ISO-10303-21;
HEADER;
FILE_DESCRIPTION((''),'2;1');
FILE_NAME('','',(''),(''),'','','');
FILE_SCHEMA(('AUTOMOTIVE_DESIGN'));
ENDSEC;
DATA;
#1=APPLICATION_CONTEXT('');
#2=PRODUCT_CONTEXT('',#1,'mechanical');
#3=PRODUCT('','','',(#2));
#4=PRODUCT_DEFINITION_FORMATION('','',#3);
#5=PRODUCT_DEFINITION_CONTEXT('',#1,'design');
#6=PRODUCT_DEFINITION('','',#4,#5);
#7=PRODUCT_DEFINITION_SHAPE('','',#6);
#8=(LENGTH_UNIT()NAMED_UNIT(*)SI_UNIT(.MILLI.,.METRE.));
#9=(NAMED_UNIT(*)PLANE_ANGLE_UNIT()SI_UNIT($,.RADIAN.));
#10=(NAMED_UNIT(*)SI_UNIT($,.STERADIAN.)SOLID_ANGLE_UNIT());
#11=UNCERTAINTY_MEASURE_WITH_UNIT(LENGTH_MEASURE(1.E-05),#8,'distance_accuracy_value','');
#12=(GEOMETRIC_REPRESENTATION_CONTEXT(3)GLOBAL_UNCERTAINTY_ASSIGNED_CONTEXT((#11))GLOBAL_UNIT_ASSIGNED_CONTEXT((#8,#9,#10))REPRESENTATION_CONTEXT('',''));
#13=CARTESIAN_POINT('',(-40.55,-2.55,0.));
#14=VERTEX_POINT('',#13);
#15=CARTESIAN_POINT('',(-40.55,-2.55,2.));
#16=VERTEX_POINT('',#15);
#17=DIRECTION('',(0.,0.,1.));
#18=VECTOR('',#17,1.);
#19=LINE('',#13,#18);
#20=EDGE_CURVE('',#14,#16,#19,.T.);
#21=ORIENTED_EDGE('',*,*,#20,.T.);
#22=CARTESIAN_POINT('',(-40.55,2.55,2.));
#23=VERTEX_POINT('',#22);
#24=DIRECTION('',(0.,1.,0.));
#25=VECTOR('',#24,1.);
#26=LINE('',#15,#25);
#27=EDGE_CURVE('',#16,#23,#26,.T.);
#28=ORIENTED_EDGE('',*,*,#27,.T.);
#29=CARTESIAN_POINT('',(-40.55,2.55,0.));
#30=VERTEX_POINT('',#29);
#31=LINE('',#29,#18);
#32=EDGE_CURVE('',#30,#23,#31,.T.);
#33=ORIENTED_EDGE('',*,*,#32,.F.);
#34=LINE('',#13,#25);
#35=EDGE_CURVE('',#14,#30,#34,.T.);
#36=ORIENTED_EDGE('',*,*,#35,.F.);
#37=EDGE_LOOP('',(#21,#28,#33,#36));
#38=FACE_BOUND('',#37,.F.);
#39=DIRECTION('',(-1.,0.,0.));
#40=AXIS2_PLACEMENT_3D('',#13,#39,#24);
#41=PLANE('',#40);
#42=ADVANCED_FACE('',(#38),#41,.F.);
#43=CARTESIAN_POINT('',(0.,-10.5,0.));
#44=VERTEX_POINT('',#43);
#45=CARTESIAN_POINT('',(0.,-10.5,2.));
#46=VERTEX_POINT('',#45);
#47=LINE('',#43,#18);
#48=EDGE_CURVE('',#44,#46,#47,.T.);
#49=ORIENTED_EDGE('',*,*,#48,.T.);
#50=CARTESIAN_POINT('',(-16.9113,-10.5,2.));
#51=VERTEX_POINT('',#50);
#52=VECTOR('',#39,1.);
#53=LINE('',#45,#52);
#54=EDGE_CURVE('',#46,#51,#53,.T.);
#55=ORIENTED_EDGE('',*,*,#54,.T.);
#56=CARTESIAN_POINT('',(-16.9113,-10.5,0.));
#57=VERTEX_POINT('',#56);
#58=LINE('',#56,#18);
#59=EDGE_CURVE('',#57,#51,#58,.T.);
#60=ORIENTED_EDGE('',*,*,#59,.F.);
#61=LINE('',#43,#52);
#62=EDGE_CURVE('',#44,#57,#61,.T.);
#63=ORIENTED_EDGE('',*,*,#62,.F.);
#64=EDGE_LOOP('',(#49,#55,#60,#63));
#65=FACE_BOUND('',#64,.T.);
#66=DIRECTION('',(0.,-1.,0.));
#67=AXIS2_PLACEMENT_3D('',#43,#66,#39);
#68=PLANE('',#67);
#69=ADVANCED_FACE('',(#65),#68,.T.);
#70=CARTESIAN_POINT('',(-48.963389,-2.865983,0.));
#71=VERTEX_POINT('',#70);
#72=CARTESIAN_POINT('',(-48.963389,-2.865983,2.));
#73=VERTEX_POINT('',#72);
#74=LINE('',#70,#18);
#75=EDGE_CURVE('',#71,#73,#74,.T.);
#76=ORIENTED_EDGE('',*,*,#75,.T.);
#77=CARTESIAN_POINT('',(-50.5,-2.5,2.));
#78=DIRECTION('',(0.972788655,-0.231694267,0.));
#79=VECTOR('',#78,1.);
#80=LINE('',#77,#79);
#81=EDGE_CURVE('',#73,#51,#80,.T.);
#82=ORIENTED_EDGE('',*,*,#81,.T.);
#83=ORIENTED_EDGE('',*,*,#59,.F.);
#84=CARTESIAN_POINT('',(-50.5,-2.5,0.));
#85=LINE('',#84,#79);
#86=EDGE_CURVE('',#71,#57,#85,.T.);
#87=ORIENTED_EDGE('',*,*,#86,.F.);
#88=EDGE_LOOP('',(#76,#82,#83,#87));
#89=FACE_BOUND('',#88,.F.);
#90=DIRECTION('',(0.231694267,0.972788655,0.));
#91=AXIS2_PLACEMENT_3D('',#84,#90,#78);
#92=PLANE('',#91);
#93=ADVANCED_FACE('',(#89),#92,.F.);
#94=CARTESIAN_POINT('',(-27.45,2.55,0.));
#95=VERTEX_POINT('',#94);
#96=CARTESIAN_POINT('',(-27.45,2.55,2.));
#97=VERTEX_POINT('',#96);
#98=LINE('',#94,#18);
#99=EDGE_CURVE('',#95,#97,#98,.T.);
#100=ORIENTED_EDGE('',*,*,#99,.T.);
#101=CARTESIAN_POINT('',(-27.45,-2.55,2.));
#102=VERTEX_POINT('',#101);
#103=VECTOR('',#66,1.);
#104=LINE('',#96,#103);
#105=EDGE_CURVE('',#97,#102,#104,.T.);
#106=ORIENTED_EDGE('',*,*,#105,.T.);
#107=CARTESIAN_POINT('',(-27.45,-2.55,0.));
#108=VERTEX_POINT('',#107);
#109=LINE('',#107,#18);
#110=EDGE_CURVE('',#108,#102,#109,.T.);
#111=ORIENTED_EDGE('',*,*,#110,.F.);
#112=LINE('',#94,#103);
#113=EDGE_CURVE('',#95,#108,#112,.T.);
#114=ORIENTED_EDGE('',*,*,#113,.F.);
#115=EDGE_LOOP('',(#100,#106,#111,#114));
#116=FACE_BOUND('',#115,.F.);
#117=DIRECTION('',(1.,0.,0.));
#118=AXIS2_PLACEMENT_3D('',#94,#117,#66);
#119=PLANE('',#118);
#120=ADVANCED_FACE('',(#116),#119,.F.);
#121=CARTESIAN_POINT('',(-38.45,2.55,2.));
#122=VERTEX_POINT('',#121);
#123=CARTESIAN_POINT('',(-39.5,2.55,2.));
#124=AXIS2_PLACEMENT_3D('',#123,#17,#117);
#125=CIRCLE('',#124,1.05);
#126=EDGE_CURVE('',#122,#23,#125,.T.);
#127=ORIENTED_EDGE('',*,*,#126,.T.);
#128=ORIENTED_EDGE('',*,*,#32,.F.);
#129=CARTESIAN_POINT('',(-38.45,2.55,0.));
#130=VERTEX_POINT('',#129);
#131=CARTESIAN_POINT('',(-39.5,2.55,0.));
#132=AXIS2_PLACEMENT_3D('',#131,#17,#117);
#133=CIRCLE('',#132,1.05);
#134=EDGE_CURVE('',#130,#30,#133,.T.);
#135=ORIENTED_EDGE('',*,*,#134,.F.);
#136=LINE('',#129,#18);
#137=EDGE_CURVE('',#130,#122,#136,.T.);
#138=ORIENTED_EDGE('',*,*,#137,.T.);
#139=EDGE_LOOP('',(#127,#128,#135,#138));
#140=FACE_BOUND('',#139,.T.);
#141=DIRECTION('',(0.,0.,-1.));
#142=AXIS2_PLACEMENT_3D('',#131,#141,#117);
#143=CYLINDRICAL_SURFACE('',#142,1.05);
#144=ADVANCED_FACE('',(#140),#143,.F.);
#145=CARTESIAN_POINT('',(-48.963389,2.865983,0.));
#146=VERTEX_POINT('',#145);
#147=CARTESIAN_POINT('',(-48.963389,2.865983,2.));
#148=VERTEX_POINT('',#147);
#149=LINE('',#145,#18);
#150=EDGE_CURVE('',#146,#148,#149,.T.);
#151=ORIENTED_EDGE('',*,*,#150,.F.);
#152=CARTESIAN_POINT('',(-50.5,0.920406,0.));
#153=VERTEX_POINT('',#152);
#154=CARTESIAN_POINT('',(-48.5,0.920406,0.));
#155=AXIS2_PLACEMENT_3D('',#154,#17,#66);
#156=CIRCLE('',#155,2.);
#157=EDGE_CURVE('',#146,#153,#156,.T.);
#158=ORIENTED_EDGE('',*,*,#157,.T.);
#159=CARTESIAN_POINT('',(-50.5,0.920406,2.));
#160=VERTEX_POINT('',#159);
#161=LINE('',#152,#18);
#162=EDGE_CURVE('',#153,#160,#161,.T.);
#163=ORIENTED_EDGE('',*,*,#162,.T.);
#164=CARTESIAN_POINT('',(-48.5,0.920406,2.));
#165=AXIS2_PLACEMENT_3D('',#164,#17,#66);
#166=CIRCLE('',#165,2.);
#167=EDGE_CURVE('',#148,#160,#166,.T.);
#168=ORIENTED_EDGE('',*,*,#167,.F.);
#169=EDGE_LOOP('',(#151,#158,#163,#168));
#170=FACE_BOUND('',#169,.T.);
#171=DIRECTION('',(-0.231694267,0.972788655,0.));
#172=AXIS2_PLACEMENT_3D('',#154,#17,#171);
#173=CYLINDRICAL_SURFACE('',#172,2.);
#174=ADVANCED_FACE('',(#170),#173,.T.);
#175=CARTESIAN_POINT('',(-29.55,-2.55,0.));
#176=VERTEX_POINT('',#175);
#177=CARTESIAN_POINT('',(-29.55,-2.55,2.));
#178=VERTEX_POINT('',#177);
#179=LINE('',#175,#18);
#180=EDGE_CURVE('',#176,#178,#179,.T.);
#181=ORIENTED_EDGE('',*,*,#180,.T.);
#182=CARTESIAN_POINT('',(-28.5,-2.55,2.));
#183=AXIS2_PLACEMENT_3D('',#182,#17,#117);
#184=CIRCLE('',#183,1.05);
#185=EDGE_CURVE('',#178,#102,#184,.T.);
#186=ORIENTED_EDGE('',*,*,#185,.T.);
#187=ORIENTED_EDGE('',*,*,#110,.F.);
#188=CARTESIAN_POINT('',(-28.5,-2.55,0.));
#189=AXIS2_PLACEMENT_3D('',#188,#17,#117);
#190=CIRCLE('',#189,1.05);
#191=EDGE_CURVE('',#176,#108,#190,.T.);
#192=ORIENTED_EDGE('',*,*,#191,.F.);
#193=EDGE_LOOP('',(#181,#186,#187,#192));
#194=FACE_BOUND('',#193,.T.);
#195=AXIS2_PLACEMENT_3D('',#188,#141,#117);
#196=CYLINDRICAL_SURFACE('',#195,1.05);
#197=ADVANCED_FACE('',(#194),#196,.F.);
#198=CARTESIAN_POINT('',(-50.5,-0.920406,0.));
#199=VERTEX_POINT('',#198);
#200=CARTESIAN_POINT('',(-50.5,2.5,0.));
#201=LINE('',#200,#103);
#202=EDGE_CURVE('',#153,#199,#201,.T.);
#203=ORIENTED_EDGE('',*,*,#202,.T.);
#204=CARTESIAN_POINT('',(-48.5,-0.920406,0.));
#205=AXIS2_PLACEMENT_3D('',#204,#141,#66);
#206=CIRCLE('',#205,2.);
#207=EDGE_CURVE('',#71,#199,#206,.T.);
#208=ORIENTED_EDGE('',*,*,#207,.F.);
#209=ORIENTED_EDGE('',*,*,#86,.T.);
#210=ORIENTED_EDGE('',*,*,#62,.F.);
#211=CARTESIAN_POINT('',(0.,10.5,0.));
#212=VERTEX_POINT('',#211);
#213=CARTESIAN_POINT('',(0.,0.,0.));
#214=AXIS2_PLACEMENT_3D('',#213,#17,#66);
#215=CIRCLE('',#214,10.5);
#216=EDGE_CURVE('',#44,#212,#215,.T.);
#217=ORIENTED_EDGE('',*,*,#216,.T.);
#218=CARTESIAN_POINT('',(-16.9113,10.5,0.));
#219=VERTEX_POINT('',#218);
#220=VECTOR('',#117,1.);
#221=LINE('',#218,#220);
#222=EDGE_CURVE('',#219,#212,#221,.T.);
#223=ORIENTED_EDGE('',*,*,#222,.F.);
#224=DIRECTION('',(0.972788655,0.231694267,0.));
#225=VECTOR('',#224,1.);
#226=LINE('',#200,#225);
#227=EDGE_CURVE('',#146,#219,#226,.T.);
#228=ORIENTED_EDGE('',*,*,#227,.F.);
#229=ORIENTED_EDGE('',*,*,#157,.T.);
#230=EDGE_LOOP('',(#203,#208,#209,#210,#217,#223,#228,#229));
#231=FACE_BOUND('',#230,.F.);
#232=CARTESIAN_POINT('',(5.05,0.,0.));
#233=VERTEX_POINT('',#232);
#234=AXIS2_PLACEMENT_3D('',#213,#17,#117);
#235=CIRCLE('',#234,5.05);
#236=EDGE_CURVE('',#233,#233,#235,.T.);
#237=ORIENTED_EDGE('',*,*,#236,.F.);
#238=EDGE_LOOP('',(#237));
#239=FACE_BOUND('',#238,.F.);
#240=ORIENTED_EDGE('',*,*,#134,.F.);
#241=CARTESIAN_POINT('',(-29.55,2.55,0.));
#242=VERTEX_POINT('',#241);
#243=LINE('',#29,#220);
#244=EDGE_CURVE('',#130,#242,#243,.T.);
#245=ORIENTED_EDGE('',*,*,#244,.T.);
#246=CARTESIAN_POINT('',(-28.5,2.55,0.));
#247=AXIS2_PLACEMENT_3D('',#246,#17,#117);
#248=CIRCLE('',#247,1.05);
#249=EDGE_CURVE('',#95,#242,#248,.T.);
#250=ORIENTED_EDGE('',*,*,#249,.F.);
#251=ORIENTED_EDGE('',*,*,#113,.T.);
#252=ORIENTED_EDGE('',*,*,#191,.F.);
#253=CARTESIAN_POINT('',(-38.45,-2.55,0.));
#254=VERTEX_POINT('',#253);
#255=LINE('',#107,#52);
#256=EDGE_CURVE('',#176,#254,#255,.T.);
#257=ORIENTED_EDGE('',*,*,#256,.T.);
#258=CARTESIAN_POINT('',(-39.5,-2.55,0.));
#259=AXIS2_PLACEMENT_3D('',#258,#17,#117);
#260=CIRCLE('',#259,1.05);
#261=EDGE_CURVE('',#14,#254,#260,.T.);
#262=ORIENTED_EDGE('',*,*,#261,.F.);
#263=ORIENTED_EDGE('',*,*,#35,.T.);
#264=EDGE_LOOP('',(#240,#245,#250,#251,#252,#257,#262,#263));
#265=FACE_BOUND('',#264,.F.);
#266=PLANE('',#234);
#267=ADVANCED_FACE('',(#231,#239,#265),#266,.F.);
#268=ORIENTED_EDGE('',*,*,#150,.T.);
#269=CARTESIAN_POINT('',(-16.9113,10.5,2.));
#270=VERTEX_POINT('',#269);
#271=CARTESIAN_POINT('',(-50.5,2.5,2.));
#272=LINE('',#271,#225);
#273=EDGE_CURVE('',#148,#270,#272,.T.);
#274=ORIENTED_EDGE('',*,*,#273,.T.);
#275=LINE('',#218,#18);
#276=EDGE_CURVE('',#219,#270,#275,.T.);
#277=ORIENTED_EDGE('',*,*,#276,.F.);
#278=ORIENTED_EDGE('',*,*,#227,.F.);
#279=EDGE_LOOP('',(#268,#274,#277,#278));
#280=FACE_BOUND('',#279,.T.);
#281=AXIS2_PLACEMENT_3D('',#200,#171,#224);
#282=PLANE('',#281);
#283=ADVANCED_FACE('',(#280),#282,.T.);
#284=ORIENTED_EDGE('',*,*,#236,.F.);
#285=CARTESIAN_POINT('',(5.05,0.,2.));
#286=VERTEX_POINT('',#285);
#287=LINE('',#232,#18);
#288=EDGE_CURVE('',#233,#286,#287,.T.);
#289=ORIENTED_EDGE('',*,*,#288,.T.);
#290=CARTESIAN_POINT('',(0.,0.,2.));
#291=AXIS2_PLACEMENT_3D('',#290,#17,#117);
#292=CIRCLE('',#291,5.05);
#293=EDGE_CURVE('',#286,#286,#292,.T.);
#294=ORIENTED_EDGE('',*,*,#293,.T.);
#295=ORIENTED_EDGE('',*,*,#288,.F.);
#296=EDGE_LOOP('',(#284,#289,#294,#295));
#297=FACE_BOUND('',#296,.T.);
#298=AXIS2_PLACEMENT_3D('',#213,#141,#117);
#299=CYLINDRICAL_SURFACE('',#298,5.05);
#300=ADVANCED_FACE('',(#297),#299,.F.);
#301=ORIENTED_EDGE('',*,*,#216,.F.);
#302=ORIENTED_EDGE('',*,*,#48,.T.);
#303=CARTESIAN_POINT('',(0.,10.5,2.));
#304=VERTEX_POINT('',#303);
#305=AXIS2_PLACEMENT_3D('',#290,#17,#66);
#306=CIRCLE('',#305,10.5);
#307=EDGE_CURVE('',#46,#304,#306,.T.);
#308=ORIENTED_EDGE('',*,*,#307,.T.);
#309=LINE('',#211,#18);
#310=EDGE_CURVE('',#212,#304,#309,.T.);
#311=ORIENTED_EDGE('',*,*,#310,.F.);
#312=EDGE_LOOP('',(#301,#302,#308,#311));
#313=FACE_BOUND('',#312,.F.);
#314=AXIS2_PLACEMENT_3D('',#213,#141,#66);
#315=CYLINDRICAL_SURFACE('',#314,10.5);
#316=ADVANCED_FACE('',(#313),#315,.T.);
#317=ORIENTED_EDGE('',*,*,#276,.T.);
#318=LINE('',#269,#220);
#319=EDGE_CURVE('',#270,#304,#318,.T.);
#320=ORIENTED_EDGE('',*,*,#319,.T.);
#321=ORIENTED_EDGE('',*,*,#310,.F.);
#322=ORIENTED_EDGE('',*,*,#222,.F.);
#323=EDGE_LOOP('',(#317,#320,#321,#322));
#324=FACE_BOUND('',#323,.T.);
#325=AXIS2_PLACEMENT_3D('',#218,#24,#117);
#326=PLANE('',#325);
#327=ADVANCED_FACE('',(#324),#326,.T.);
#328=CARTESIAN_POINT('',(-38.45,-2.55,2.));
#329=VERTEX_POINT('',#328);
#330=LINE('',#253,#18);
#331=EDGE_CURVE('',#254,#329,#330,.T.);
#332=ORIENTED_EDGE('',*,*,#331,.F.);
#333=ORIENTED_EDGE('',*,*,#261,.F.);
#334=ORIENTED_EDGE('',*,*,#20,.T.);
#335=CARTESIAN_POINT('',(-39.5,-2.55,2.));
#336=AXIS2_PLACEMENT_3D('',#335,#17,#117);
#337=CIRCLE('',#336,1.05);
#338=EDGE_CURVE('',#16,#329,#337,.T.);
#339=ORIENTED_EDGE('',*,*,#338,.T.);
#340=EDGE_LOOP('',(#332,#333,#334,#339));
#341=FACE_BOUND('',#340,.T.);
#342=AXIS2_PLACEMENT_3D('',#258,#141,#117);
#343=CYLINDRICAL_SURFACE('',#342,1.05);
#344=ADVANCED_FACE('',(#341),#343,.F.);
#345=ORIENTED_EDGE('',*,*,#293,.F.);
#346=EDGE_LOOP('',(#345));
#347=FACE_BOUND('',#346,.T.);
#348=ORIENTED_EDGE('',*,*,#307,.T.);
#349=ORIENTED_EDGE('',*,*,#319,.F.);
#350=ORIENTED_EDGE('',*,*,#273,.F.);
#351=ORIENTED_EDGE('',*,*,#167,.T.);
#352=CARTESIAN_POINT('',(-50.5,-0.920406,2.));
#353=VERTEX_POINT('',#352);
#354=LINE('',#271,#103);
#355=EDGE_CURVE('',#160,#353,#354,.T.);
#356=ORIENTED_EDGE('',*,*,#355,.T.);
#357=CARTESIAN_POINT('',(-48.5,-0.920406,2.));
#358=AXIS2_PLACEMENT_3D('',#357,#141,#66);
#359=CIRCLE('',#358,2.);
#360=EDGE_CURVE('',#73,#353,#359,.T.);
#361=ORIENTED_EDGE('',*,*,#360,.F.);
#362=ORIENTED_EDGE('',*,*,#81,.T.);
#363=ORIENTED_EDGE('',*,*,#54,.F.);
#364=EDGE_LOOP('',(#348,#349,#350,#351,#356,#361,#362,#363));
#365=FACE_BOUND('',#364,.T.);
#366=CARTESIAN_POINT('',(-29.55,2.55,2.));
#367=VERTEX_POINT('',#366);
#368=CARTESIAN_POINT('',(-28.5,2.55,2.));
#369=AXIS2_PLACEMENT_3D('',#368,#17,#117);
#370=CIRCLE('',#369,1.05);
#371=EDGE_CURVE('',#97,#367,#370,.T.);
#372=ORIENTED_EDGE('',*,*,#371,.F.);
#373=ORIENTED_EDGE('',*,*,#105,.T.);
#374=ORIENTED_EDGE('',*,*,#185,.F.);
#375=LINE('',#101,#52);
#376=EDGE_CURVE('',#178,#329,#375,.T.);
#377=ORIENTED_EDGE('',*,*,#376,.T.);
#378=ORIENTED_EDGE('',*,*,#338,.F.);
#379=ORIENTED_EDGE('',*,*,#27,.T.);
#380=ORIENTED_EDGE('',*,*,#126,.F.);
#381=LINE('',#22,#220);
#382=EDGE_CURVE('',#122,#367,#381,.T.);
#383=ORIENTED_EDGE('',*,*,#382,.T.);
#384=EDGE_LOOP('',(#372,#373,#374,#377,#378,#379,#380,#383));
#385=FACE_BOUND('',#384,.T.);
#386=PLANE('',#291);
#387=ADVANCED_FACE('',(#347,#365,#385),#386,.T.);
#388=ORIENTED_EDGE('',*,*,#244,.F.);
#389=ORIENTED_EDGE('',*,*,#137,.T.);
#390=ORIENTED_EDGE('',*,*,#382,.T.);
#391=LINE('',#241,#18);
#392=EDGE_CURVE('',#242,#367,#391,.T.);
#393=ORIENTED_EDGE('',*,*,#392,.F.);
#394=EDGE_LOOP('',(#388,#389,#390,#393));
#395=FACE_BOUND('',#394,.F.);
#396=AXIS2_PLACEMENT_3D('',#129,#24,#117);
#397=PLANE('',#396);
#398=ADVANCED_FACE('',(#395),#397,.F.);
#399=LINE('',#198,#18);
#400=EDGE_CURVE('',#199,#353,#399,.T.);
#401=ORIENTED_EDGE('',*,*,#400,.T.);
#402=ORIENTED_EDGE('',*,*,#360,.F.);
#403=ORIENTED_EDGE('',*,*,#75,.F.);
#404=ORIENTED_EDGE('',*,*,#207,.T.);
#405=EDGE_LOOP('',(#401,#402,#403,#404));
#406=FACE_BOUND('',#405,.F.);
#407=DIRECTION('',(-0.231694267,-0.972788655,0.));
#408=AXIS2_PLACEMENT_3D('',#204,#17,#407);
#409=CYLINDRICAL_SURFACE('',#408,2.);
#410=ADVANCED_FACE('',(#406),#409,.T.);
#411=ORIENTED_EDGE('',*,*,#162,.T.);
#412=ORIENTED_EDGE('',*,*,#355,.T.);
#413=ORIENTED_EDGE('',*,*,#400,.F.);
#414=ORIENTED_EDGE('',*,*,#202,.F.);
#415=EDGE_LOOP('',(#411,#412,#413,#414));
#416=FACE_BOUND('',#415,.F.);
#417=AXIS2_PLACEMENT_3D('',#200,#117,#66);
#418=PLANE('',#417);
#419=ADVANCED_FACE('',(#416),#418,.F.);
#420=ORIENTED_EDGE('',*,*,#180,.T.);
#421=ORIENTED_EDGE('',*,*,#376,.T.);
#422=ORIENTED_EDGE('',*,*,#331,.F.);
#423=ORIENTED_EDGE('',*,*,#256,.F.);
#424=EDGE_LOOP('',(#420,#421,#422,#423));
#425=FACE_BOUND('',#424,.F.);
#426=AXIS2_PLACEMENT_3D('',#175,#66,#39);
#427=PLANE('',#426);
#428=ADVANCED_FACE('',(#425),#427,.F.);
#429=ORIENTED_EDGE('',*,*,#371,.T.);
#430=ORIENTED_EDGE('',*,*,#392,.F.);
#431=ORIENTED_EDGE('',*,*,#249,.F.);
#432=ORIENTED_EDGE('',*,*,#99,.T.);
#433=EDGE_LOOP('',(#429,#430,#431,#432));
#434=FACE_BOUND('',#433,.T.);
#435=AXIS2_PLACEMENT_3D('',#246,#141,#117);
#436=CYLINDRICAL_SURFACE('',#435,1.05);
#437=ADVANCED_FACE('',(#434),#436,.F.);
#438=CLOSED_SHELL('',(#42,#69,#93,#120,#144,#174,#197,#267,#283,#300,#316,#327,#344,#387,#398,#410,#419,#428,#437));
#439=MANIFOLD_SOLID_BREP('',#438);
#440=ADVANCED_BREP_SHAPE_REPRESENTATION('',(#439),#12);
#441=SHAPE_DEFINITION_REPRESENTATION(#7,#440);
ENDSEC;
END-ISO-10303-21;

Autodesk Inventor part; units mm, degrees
ref_plane "YZ Plane" through (0, 0, 0) normal (1, 0, 0) x (0, 1, 0)
ref_plane "XZ Plane" through (0, 0, 0) normal (0, 1, 0) x (-1, 0, 0)
ref_plane "XY Plane" through (0, 0, 0) normal (0, 0, 1) x (1, 0, 0)
sketch "スケッチ1" plane through (0, 0, 0) normal (0, 0, 1) x (1, 0, 0)
  circle A0 centre (0, 0) radius 10.5 construction
  line L0 (0, 10.5) -> (-162.5, 10.5) construction
  line L1 (-162.5, 10.5) -> (-162.5, -10.5) construction
  line L2 (-162.5, -10.5) -> (0, -10.5) construction
  circle A1 centre (-157.5, 0) radius 1.55 construction
  line L3 (-147.5, 2.5) -> (-32.5, 2.5) construction
  line L4 (-32.5, 2.5) -> (-32.5, -2.5) construction
  line L5 (-32.5, -2.5) -> (-147.5, -2.5) construction
  line L6 (-147.5, -2.5) -> (-147.5, 2.5) construction
  line L7 (-90, 2.5) -> (-90, -2.5) construction
  circle A2 centre (-22.5, 0) radius 1.55 construction
  line L8 (-12, 21.3027) -> (-12, -27.3903) construction
  line L9 (-32.45, 2.55) -> (-147.55, 2.55) construction
  line L10 (-147.55, 2.55) -> (-147.55, -2.55) construction
  line L11 (-147.55, -2.55) -> (-32.45, -2.55) construction
  line L12 (-32.45, -2.55) -> (-32.45, 2.55) construction
  circle A3 centre (-146.5, 2.55) radius 1.05 construction
  line L13 (-147.5, 0) -> (-90, 0) construction
  line L14 (-147.55, 2.55) -> (-147.55, -2.55) construction
  arc A4 (-145.45, 2.55) -> (-147.55, 2.55) centre (-146.5, 2.55) ccw construction
  line L15 (-145.45, 2.55) -> (-34.55, 2.55) construction
  arc A5 (-32.45, 2.55) -> (-34.55, 2.55) centre (-33.5, 2.55) ccw construction
  line L16 (-32.45, 2.55) -> (-32.45, -2.55) construction
  arc A6 (-147.55, -2.55) -> (-145.45, -2.55) centre (-146.5, -2.55) ccw construction
  line L17 (-145.45, -2.55) -> (-34.55, -2.55) construction
  arc A7 (-34.55, -2.55) -> (-32.45, -2.55) centre (-33.5, -2.55) ccw construction
  circle A8 centre (0, 8.5) radius 1.35
  circle A9 centre (0, 0) radius 5.05
  circle A10 centre (-8.5, 0) radius 1.35
  circle A11 centre (0, -8.5) radius 1.35
  circle A12 centre (8.5, 0) radius 1.35
  line L18 (-162.5, 4.8006) -> (-162.5, -4.8006) construction
  line L19 (-162.5, 4.8006) -> (-22.5, 10.5) construction
  line L20 (-22.5, 10.5) -> (0, 10.5) construction
  line L21 (-162.5, -4.8006) -> (-22.5, -10.5) construction
  line L22 (-22.5, -10.5) -> (0, -10.5) construction
  arc A13 (0, -10.5) -> (0, 10.5) centre (0, 0) ccw construction
  circle A14 centre (-157.5, 0) radius 5 construction
  circle A15 centre (-21.5, 0) radius 1.55
  circle A16 centre (-46.5, 0) radius 1.55
  line L23 (-17.5, -2.5) -> (-50.5, -2.5) construction
  line L24 (-50.5, -2.5) -> (-50.5, 2.5) construction
  line L25 (-50.5, 2.5) -> (-17.5, 2.5) construction
  line L26 (-17.5, 2.5) -> (-17.5, -2.5) construction
  line L27 (-27.5, -2.5) -> (-40.5, -2.5) construction
  line L28 (-40.5, -2.5) -> (-40.5, 2.5) construction
  line L29 (-40.5, 2.5) -> (-27.5, 2.5) construction
  line L30 (-27.5, 2.5) -> (-27.5, -2.5) construction
  line L31 (-27.45, -2.55) -> (-40.55, -2.55)
  line L32 (-40.55, -2.55) -> (-40.55, 2.55)
  line L33 (-40.55, 2.55) -> (-27.45, 2.55)
  line L34 (-27.45, 2.55) -> (-27.45, -2.55)
  circle A17 centre (-28.5, -2.55) radius 1.05
  circle A18 centre (-28.5, 2.55) radius 1.05
  circle A19 centre (-39.5, -2.55) radius 1.05
  circle A20 centre (-39.5, 2.55) radius 1.05
  line L35 (-50.5, 2.5) -> (-50.5, -2.5)
  line L36 (-50.5, -2.5) -> (-16.9113, -10.5)
  line L37 (-50.5, 2.5) -> (-16.9113, 10.5)
  arc A21 (0, -10.5) -> (0, 10.5) centre (0, 0) ccw
  line L38 (-16.9113, 10.5) -> (0, 10.5)
  line L39 (0, -10.5) -> (-16.9113, -10.5)
  circle A22 centre (-39.5, 2.55) radius 2.5 construction
  circle A23 centre (0, 0) radius 16 construction
  circle A24 centre (0, 0) radius 21 construction
  line L40 (-21, 19.3585) -> (-21, -28.09) construction
  point P0 (-162.5, 0)
  point P1 (-17.5, 0)
  dimension "d9" = 2.1
  dimension "d29" = 2.1
  dimension "d0" = 162.5
  dimension "d1" = 3.1
  dimension "d2" = 21
  dimension "d3" = 10
  dimension "d4" = 5
  dimension "d5" = 12
  dimension "d6" = 135
  dimension "d7" = 5
  dimension "d8" = 0.05
  dimension "d10" = 2.7
  dimension "d11" = 8.5
  dimension "d12" = 10.1
  dimension "d15" = 360
  dimension "d20" = 3.1
  dimension "d21" = 5
  dimension "d22" = 4
  dimension "d23" = 5
  dimension "d24" = 25
  dimension "d26" = 10
  dimension "d27" = 4
  dimension "d28" = 10
  dimension "d30" = 0.05
  dimension "d32" = 5
  dimension "d33" = 32
  dimension "d34" = 5
extrude "押し出し1" add sketch "スケッチ1" along normal blind 2
fillet "フィレット2" radius 2 2 edges at (-50.5, 2.5, 1) (-50.5, -2.5, 1)
sketch "スケッチ2" plane through (0, 0, 0) normal (0, 0, -1) x (-1, 0, 0)
  circle A0 centre (0, -8.5) radius 1.35 projected
  circle A1 centre (0, -8.5) radius 1.35
  circle A2 centre (8.5, 0) radius 1.35 projected
  circle A3 centre (8.5, 0) radius 1.35
  circle A4 centre (0, 8.5) radius 1.35 projected
  circle A5 centre (0, 8.5) radius 1.35
  circle A6 centre (-8.5, 0) radius 1.35 projected
  circle A7 centre (-8.5, 0) radius 1.35
  circle A8 centre (21.5, 0) radius 1.55 projected
  circle A9 centre (21.5, 0) radius 1.55
  circle A10 centre (46.5, 0) radius 1.55 projected
  circle A11 centre (46.5, 0) radius 1.55
  point P0 (0, 0)
extrude "押し出し2" add sketch "スケッチ2" against normal up to surface (2 mm away)
equation "\"d0\" = d0_1"
equation "\"d2\" = d2_1"
equation "\"d3\" = d3_1"
equation "\"d4\" = d4_1"
equation "\"d6\" = d6_1"
equation "\"d21\" = d4"
equation "\"d27\" = d22"
equation "\"d28\" = d26"
equation "\"d2_1\" = 21"
equation "\"d3_1\" = 10"
equation "\"d4_1\" = 5"
equation "\"d6_1\" = 135"
equation "\"d0_1\" = 162.5"
properties part number "前腕_メインフレーム_1_1" material "GFRP"
